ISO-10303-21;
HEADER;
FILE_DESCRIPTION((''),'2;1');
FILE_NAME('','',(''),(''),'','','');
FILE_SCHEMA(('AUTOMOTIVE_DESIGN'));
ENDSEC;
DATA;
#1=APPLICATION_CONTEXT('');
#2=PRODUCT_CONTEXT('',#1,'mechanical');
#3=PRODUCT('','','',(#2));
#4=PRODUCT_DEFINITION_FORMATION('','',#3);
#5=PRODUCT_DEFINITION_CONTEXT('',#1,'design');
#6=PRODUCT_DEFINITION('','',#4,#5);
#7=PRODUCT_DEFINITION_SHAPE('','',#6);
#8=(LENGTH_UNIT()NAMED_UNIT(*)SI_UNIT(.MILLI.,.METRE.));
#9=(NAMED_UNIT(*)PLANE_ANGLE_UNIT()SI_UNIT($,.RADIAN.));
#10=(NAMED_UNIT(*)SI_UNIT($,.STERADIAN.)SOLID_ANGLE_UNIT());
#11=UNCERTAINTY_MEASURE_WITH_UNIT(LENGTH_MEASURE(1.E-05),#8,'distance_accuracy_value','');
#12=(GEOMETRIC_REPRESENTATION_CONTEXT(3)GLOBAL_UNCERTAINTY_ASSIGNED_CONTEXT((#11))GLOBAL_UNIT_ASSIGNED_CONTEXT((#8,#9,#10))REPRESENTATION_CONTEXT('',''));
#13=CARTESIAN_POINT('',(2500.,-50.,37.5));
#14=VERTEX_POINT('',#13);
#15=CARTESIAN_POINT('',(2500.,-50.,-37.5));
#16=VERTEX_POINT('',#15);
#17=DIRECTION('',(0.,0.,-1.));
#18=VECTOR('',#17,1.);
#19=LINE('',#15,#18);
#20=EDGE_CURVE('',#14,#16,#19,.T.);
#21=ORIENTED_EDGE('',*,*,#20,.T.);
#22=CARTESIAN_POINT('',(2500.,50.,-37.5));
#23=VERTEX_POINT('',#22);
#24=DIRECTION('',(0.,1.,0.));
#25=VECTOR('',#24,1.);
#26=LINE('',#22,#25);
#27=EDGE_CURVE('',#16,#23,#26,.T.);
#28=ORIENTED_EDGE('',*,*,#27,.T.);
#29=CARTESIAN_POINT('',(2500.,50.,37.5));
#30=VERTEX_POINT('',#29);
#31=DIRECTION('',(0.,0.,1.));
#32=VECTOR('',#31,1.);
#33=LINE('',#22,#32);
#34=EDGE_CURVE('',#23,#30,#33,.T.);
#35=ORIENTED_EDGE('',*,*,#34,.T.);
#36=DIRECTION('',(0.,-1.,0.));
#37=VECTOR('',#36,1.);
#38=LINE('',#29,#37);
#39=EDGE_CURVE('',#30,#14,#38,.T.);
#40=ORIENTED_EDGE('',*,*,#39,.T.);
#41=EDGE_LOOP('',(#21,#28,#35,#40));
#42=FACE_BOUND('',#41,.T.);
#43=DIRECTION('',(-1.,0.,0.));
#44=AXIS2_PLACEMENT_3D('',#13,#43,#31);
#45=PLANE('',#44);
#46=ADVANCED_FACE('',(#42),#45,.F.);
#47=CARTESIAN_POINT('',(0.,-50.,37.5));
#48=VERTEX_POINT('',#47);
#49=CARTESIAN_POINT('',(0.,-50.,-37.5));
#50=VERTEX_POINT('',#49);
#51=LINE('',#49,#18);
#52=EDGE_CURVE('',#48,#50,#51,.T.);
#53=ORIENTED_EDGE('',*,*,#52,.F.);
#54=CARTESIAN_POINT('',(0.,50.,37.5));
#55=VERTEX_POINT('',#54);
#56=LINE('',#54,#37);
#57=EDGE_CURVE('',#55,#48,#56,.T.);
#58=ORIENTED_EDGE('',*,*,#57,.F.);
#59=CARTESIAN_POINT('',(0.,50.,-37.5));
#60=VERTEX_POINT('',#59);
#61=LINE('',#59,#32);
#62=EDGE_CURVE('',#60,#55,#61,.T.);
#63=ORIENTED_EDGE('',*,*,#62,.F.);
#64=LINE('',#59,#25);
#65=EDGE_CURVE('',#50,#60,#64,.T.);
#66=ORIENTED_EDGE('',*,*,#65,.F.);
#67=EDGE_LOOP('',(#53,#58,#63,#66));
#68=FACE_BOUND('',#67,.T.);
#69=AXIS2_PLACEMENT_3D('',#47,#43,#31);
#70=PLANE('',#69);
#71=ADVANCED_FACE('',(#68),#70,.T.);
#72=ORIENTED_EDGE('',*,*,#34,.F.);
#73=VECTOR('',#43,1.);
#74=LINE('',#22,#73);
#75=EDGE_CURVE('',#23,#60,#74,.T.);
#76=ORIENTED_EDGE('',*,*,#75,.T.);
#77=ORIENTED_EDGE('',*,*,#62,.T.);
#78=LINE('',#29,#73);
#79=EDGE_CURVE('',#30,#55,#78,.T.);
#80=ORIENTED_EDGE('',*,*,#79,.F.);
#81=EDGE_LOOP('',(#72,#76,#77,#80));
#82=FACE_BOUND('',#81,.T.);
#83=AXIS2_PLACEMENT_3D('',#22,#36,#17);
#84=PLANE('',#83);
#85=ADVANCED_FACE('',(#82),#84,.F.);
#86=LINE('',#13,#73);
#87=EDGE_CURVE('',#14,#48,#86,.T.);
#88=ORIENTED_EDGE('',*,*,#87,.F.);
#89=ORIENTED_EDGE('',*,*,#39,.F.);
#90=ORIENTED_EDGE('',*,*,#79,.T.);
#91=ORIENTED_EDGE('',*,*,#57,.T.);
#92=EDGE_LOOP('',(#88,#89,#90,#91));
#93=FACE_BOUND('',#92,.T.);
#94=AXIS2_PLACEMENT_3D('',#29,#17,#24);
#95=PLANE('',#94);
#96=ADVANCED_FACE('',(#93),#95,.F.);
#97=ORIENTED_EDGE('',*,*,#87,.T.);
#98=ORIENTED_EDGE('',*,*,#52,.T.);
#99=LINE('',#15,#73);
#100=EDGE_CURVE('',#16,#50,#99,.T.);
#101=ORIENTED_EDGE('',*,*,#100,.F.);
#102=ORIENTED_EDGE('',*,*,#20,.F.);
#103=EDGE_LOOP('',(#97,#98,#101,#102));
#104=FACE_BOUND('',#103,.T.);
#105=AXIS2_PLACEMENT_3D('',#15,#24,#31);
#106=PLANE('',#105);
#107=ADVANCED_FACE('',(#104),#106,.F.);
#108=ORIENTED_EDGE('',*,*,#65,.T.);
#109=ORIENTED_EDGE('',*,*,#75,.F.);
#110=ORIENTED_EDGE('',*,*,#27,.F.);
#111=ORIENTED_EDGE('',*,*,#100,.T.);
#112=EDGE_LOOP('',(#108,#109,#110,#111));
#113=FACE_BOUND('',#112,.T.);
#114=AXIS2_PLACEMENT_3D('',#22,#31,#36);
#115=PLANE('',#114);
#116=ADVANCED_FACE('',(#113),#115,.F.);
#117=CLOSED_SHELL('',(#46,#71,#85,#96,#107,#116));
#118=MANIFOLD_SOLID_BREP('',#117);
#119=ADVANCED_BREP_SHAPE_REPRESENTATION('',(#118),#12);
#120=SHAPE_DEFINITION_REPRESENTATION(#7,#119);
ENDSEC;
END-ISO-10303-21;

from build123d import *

# Parameters (mm, degrees)
SKETCH_1_W      = 75
SKETCH_1_H      = 100
EXTRUDE_1_DEPTH = 2500


with BuildPart() as part:
    # Эскиз1 → Бобышка-Вытянуть1 (new body)
    with BuildSketch(Plane(origin=(0, 0, 0), x_dir=(0, 0, -1), z_dir=(1, 0, 0))):
        Rectangle(SKETCH_1_W, SKETCH_1_H)
    extrude(amount=EXTRUDE_1_DEPTH)


solid = part.part
